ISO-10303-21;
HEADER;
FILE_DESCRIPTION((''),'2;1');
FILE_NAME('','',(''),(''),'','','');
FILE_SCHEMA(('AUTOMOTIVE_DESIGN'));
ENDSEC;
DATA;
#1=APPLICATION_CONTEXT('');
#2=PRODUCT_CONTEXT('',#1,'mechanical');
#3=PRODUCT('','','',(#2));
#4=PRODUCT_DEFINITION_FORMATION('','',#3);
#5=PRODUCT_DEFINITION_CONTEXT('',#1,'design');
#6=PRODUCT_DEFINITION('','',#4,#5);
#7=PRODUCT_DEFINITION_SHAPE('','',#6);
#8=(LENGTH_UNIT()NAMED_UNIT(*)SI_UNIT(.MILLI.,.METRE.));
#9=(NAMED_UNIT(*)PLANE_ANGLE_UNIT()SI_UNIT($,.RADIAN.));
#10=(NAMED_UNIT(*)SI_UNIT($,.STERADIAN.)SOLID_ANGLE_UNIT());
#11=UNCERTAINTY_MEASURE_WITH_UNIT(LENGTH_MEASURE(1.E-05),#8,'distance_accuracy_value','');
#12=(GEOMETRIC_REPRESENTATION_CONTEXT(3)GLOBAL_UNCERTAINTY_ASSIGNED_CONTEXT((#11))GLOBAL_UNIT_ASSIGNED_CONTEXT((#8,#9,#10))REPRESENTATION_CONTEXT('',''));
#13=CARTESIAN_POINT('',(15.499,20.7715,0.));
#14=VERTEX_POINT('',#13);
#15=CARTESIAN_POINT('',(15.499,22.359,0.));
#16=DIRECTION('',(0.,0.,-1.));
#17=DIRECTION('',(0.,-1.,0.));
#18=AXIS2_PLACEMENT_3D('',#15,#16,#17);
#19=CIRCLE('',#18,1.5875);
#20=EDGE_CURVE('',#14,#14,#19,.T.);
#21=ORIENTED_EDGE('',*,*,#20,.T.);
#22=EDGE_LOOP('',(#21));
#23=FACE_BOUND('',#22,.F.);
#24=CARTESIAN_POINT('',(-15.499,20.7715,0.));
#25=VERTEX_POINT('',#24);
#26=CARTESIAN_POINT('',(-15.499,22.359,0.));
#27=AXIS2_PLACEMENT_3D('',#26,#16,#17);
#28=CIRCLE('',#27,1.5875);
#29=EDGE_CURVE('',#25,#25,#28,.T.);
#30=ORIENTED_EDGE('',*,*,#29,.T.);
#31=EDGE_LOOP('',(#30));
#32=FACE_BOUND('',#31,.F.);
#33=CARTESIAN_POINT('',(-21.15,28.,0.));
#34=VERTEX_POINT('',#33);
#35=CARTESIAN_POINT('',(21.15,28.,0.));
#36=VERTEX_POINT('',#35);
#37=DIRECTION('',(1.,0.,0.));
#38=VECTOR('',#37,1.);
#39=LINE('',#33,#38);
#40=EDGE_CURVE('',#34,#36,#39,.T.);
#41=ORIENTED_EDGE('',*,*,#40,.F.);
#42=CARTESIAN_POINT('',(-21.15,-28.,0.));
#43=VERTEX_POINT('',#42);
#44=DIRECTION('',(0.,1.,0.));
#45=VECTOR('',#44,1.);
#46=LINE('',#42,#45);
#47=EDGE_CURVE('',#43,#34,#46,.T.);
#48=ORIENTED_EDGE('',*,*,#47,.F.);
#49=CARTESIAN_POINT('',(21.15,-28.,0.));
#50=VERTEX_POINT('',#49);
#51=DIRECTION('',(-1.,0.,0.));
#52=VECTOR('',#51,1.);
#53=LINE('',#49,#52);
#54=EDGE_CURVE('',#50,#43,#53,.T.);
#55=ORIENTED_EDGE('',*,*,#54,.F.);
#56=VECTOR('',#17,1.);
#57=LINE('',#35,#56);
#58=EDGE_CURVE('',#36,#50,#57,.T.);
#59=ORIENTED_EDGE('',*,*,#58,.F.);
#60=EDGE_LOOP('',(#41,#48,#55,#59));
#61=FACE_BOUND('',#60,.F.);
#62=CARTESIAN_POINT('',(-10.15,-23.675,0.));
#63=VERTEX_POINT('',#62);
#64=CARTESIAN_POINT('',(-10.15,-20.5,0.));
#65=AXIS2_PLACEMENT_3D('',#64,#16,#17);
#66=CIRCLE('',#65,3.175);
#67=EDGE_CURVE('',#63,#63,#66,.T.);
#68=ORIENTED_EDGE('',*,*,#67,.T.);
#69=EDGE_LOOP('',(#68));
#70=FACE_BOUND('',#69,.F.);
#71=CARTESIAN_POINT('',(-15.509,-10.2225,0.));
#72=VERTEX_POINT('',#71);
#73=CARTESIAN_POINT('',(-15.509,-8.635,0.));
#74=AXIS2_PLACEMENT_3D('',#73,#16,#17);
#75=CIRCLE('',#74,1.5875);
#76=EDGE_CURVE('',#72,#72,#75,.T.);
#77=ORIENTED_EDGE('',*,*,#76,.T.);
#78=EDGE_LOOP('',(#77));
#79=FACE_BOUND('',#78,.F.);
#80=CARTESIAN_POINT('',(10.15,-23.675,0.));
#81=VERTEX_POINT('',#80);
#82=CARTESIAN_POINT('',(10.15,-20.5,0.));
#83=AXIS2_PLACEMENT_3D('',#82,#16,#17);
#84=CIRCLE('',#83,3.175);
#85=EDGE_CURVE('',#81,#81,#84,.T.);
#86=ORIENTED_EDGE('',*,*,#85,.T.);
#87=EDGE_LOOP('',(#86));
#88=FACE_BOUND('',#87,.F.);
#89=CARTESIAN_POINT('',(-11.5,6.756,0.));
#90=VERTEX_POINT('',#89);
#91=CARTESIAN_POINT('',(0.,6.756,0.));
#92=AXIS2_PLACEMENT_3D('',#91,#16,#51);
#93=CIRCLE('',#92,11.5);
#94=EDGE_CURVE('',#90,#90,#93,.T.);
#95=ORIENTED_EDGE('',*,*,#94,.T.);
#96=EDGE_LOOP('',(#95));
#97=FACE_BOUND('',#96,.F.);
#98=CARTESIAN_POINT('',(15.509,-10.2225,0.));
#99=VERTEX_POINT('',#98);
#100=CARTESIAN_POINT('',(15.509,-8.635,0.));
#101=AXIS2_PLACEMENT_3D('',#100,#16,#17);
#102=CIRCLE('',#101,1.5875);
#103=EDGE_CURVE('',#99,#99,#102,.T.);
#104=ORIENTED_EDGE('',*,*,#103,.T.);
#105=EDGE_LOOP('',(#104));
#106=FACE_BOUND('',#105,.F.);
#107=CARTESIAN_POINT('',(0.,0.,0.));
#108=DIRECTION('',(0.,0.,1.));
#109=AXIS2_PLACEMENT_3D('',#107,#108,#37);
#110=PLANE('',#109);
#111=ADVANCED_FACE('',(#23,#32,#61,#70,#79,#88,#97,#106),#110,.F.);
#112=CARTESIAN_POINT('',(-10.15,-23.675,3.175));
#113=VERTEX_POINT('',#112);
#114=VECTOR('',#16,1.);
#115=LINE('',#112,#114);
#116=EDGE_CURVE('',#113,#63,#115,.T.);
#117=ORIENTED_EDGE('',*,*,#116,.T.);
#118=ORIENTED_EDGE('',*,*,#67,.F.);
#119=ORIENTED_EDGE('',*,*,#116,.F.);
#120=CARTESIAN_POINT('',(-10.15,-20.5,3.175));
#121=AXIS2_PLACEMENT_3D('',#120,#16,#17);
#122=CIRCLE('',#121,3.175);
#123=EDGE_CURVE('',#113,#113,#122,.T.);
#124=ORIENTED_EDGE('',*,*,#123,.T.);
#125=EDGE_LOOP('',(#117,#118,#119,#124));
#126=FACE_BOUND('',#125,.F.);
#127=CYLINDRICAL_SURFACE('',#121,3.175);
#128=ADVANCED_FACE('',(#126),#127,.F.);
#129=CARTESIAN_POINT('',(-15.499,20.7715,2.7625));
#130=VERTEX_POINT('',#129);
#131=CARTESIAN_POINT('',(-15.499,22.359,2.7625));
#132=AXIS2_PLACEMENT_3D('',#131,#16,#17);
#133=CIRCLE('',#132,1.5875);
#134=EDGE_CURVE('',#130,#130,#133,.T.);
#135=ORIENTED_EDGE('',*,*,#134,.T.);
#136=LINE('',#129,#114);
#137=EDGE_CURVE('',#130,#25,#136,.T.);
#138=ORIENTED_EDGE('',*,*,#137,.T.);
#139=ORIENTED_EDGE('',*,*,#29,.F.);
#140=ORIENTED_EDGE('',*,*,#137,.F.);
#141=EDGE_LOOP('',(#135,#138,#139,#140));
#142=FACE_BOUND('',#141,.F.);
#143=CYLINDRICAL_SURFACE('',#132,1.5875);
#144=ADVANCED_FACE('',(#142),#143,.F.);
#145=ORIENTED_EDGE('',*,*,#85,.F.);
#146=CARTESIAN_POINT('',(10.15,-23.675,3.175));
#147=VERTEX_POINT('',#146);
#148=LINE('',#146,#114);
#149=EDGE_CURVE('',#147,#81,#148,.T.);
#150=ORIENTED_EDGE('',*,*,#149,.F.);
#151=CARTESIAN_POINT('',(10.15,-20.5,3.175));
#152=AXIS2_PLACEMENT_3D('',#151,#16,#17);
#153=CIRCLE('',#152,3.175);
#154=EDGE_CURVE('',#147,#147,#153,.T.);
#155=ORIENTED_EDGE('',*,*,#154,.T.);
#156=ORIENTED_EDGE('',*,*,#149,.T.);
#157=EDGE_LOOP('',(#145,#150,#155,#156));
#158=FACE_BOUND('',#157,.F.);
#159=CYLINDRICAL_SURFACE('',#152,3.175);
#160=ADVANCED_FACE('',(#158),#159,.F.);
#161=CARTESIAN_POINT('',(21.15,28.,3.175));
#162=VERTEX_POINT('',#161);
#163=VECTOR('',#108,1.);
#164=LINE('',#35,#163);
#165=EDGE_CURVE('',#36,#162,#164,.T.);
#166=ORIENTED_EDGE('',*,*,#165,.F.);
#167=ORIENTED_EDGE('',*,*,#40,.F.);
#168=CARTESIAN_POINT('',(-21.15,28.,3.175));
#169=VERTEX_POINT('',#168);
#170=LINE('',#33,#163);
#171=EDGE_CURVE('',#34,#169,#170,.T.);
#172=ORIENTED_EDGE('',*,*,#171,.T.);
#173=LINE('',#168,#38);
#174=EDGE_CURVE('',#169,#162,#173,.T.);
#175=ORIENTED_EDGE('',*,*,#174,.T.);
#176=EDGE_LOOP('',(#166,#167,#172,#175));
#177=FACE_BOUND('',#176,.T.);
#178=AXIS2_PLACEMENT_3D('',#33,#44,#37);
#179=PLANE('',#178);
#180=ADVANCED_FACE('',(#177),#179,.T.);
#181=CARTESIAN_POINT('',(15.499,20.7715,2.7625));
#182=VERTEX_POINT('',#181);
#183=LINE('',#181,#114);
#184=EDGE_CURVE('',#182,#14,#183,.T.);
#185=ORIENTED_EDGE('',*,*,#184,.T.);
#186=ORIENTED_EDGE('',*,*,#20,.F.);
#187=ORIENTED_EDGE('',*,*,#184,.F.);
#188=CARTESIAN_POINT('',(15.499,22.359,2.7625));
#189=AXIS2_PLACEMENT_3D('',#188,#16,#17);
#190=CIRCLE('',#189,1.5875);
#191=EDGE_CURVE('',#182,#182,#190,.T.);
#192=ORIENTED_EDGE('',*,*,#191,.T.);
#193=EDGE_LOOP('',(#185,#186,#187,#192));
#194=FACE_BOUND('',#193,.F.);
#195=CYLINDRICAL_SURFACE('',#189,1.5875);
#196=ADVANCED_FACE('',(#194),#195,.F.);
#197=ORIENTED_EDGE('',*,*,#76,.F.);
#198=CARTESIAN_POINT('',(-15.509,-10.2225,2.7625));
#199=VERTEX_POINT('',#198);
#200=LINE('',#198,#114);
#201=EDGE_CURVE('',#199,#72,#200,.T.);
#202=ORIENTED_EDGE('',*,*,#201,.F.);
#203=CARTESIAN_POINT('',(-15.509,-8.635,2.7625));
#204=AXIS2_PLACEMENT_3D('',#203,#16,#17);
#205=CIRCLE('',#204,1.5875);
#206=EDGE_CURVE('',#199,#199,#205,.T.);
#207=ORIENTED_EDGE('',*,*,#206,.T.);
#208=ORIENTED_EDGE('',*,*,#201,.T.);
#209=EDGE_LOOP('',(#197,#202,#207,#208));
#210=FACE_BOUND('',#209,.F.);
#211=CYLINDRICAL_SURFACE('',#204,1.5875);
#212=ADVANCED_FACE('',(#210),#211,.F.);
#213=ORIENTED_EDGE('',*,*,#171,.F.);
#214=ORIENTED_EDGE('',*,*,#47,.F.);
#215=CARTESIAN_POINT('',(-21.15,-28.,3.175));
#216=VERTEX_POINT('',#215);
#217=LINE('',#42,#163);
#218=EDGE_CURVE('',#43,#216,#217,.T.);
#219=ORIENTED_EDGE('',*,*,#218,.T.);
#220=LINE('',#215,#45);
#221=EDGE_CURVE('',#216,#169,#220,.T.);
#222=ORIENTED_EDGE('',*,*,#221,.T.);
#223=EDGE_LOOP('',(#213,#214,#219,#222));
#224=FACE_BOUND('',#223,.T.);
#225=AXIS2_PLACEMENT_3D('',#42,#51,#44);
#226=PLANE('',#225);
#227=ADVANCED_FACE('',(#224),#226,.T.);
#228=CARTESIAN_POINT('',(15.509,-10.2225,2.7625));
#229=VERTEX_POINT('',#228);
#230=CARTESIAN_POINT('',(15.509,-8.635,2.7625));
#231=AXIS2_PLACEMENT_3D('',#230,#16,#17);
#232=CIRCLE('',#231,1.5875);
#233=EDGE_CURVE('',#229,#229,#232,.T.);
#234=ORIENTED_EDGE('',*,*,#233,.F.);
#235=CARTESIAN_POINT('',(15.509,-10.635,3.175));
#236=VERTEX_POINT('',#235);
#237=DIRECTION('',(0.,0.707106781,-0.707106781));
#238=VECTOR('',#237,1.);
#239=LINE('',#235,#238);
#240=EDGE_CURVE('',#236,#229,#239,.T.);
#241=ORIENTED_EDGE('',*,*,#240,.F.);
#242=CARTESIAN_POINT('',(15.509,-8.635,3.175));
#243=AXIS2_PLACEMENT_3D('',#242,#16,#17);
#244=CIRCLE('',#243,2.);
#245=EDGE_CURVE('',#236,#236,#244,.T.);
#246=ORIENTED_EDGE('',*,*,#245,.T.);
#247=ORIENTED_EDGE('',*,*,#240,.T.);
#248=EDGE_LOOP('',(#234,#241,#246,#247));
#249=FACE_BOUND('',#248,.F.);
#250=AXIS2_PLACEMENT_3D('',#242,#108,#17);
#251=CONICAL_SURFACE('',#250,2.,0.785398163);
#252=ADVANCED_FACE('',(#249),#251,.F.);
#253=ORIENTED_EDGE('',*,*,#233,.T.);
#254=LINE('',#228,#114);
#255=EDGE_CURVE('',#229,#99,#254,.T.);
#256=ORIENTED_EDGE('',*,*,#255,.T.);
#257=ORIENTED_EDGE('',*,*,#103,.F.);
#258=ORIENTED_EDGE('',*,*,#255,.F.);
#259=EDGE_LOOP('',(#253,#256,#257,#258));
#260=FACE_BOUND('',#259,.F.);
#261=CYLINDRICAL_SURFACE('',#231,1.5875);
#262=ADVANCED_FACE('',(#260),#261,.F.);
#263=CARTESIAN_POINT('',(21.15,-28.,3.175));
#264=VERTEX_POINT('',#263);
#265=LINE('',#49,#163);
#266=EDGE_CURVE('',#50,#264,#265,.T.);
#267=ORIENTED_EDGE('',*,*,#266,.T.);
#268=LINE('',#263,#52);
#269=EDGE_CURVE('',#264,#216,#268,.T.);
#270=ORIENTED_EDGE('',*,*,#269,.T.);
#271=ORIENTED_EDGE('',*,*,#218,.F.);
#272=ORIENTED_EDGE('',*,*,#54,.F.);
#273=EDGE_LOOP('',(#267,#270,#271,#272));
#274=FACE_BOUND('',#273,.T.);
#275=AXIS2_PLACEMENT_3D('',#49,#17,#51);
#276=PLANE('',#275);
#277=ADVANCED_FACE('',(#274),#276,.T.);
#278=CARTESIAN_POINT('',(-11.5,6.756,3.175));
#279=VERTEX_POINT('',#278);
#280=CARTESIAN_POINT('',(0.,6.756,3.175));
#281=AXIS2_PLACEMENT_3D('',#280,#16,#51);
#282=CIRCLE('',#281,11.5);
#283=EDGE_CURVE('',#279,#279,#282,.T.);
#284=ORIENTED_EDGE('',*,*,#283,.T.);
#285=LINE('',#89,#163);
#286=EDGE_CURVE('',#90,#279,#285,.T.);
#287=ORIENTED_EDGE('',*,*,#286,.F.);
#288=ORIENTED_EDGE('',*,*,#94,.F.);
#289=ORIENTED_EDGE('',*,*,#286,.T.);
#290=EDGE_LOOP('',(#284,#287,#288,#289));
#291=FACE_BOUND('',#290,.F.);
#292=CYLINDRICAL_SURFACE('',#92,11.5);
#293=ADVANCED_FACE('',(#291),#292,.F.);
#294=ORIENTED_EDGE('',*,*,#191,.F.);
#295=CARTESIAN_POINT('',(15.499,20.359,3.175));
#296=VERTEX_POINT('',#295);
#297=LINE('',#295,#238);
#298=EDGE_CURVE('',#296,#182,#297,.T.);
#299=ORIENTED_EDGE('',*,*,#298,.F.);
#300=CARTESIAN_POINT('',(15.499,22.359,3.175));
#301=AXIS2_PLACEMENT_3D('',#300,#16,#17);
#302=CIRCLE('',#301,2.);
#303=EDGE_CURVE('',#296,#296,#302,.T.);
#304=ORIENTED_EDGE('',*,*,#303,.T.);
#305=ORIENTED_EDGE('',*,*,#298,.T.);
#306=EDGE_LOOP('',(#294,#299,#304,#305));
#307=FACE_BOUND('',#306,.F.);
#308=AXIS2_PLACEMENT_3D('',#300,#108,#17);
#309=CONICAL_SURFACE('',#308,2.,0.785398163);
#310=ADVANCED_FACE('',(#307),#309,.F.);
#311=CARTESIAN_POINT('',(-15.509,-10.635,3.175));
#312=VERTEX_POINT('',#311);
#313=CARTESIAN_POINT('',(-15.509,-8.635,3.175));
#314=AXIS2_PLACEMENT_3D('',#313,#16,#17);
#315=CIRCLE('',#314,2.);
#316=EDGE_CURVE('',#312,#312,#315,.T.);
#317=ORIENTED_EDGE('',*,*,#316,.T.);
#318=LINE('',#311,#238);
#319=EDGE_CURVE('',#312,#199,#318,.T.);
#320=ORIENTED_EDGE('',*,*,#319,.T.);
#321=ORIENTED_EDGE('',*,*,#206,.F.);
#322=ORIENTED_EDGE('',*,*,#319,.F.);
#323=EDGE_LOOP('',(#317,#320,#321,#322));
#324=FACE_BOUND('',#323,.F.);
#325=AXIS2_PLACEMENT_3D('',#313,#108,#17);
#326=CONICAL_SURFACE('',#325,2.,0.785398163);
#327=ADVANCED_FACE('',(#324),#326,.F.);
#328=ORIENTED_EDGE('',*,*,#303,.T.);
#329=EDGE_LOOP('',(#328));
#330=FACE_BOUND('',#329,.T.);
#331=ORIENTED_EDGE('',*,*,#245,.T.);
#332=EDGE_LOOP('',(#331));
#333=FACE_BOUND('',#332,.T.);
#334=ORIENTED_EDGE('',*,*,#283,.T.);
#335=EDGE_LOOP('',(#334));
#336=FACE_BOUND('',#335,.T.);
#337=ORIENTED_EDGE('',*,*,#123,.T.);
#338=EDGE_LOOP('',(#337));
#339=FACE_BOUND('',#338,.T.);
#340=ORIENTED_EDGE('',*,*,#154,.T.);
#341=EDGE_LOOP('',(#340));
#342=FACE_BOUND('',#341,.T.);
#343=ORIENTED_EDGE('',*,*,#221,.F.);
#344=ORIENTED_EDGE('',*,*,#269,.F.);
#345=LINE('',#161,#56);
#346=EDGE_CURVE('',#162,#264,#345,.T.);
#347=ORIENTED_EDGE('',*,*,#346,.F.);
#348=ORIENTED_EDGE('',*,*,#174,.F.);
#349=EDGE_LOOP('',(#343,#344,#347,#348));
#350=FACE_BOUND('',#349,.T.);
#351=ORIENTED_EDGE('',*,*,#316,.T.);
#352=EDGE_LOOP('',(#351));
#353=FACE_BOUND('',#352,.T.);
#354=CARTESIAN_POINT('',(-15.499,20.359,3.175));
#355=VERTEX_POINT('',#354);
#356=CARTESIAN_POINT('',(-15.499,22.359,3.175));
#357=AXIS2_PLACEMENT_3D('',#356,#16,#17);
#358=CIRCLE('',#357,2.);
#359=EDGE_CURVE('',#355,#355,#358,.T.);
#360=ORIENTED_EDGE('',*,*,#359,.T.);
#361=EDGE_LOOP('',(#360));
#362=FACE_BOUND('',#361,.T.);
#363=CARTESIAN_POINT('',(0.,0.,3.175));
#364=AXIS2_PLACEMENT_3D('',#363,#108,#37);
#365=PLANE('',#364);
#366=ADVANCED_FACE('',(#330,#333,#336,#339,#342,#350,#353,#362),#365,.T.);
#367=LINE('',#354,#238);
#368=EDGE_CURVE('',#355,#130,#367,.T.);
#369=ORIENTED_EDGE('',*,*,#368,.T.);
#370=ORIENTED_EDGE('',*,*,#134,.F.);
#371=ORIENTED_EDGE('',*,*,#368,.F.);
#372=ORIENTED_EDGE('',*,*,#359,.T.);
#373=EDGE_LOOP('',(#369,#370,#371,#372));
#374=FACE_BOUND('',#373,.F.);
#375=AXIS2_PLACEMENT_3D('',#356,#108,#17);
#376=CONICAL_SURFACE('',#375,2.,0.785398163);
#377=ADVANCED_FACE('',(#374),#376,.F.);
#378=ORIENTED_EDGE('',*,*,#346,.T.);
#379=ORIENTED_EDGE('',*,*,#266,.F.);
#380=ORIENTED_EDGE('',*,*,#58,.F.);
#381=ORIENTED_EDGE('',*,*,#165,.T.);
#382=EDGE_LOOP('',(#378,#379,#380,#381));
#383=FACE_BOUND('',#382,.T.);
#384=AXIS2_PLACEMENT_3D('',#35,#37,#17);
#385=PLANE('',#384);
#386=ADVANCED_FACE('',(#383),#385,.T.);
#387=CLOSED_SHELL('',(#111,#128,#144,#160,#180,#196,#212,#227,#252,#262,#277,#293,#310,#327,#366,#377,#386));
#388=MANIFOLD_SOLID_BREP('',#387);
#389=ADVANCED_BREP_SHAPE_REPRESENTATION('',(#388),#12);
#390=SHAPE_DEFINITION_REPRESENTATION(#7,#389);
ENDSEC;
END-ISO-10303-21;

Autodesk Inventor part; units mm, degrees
ref_plane "YZ Plane" through (0, 0, 0) normal (1, 0, 0) x (0, 1, 0)
ref_plane "XZ Plane" through (0, 0, 0) normal (0, 1, 0) x (-1, 0, 0)
ref_plane "XY Plane" through (0, 0, 0) normal (0, 0, 1) x (1, 0, 0)
sketch "Sketch1" plane through (0, 0, 0) normal (0, 0, 1) x (1, 0, 0)
  line L0 (-21.15, 28) -> (21.15, 28)
  line L1 (21.15, 28) -> (21.15, -28)
  line L2 (21.15, -28) -> (-21.15, -28)
  line L3 (-21.15, -28) -> (-21.15, 28)
  point P0 (0, 0)
  dimension "d0" = 56
  dimension "d1" = 42.3
  dimension "d2" = 21.15
  dimension "d3" = 28
  dimension "d44" = 21.15
extrude "Extrusion1" add sketch "Sketch1" along normal blind 3.175
sketch "Sketch2" plane through (0, 0, 3.175) normal (0, 0, 1) x (1, 0, 0)
  circle A0 centre (-15.499, 22.359) radius 1.5875
  circle A1 centre (15.499, 22.359) radius 1.5875
  line L0 (21.15, 28) -> (-21.15, 28) projected
  line L1 (-21.15, 28) -> (-21.15, -28) projected
  line L2 (21.15, -28) -> (21.15, 28) projected
  circle A2 centre (-15.509, -8.635) radius 1.5875
  circle A3 centre (15.509, -8.635) radius 1.5875
  point P0 (0, 0)
  dimension "d6" = 3.175
  dimension "d7" = 5.641
  dimension "d8" = 5.641
  dimension "d9" = 5.651
  dimension "d10" = 5.651
  dimension "d11" = 3.175
  dimension "d45" = 3.175
  dimension "d46" = 3.175
  dimension "d47" = 5.641
  dimension "d48" = 5.641
  dimension "d49" = 36.635
  dimension "d50" = 36.635
hole "Hole1" at (-15.499, 22.359, 3.175) at (15.499, 22.359, 3.175) at (-15.509, -8.635, 3.175) at (15.509, -8.635, 3.175) direction (0, 0, -1) diameter 3.175 end through all countersink diameter 4 countersink angle 90
sketch "Sketch3" plane through (0, 0, 3.175) normal (0, 0, 1) x (1, 0, 0)
  circle A0 centre (-10.15, -20.5) radius 3.175
  circle A1 centre (10.15, -20.5) radius 3.175
  line L0 (-21.15, -28) -> (21.15, -28) projected
  line L1 (21.15, -28) -> (21.15, 28) projected
  line L2 (-21.15, 28) -> (-21.15, -28) projected
  line L3 (21.15, 28) -> (-21.15, 28) projected
  point P0 (0, 0)
  dimension "d19" = 6.35
  dimension "d20" = 6.35
  dimension "d22" = 11
  dimension "d23" = 11
  dimension "d51" = 7.5
  dimension "d52" = 7.5
hole "Hole2" at (-10.15, -20.5, 3.175) at (10.15, -20.5, 3.175) direction (0, 0, -1) diameter 6.35 end through all
sketch "Sketch5" plane through (0, 0, 0) normal (0, 0, -1) x (-1, 0, 0)
  circle A0 centre (0, 6.756) radius 11.5
  line L0 (21.15, 28) -> (-21.15, 28) projected
  line L1 (21.15, -28) -> (21.15, 28) projected
  point P0 (0, 0)
  dimension "d39" = 23
  dimension "d40" = 21.244
  dimension "d41" = 21.15
extrude "Extrusion3" cut sketch "Sketch5" against normal through all
properties part number "Z-AXIS MOTOR MOUNT"
